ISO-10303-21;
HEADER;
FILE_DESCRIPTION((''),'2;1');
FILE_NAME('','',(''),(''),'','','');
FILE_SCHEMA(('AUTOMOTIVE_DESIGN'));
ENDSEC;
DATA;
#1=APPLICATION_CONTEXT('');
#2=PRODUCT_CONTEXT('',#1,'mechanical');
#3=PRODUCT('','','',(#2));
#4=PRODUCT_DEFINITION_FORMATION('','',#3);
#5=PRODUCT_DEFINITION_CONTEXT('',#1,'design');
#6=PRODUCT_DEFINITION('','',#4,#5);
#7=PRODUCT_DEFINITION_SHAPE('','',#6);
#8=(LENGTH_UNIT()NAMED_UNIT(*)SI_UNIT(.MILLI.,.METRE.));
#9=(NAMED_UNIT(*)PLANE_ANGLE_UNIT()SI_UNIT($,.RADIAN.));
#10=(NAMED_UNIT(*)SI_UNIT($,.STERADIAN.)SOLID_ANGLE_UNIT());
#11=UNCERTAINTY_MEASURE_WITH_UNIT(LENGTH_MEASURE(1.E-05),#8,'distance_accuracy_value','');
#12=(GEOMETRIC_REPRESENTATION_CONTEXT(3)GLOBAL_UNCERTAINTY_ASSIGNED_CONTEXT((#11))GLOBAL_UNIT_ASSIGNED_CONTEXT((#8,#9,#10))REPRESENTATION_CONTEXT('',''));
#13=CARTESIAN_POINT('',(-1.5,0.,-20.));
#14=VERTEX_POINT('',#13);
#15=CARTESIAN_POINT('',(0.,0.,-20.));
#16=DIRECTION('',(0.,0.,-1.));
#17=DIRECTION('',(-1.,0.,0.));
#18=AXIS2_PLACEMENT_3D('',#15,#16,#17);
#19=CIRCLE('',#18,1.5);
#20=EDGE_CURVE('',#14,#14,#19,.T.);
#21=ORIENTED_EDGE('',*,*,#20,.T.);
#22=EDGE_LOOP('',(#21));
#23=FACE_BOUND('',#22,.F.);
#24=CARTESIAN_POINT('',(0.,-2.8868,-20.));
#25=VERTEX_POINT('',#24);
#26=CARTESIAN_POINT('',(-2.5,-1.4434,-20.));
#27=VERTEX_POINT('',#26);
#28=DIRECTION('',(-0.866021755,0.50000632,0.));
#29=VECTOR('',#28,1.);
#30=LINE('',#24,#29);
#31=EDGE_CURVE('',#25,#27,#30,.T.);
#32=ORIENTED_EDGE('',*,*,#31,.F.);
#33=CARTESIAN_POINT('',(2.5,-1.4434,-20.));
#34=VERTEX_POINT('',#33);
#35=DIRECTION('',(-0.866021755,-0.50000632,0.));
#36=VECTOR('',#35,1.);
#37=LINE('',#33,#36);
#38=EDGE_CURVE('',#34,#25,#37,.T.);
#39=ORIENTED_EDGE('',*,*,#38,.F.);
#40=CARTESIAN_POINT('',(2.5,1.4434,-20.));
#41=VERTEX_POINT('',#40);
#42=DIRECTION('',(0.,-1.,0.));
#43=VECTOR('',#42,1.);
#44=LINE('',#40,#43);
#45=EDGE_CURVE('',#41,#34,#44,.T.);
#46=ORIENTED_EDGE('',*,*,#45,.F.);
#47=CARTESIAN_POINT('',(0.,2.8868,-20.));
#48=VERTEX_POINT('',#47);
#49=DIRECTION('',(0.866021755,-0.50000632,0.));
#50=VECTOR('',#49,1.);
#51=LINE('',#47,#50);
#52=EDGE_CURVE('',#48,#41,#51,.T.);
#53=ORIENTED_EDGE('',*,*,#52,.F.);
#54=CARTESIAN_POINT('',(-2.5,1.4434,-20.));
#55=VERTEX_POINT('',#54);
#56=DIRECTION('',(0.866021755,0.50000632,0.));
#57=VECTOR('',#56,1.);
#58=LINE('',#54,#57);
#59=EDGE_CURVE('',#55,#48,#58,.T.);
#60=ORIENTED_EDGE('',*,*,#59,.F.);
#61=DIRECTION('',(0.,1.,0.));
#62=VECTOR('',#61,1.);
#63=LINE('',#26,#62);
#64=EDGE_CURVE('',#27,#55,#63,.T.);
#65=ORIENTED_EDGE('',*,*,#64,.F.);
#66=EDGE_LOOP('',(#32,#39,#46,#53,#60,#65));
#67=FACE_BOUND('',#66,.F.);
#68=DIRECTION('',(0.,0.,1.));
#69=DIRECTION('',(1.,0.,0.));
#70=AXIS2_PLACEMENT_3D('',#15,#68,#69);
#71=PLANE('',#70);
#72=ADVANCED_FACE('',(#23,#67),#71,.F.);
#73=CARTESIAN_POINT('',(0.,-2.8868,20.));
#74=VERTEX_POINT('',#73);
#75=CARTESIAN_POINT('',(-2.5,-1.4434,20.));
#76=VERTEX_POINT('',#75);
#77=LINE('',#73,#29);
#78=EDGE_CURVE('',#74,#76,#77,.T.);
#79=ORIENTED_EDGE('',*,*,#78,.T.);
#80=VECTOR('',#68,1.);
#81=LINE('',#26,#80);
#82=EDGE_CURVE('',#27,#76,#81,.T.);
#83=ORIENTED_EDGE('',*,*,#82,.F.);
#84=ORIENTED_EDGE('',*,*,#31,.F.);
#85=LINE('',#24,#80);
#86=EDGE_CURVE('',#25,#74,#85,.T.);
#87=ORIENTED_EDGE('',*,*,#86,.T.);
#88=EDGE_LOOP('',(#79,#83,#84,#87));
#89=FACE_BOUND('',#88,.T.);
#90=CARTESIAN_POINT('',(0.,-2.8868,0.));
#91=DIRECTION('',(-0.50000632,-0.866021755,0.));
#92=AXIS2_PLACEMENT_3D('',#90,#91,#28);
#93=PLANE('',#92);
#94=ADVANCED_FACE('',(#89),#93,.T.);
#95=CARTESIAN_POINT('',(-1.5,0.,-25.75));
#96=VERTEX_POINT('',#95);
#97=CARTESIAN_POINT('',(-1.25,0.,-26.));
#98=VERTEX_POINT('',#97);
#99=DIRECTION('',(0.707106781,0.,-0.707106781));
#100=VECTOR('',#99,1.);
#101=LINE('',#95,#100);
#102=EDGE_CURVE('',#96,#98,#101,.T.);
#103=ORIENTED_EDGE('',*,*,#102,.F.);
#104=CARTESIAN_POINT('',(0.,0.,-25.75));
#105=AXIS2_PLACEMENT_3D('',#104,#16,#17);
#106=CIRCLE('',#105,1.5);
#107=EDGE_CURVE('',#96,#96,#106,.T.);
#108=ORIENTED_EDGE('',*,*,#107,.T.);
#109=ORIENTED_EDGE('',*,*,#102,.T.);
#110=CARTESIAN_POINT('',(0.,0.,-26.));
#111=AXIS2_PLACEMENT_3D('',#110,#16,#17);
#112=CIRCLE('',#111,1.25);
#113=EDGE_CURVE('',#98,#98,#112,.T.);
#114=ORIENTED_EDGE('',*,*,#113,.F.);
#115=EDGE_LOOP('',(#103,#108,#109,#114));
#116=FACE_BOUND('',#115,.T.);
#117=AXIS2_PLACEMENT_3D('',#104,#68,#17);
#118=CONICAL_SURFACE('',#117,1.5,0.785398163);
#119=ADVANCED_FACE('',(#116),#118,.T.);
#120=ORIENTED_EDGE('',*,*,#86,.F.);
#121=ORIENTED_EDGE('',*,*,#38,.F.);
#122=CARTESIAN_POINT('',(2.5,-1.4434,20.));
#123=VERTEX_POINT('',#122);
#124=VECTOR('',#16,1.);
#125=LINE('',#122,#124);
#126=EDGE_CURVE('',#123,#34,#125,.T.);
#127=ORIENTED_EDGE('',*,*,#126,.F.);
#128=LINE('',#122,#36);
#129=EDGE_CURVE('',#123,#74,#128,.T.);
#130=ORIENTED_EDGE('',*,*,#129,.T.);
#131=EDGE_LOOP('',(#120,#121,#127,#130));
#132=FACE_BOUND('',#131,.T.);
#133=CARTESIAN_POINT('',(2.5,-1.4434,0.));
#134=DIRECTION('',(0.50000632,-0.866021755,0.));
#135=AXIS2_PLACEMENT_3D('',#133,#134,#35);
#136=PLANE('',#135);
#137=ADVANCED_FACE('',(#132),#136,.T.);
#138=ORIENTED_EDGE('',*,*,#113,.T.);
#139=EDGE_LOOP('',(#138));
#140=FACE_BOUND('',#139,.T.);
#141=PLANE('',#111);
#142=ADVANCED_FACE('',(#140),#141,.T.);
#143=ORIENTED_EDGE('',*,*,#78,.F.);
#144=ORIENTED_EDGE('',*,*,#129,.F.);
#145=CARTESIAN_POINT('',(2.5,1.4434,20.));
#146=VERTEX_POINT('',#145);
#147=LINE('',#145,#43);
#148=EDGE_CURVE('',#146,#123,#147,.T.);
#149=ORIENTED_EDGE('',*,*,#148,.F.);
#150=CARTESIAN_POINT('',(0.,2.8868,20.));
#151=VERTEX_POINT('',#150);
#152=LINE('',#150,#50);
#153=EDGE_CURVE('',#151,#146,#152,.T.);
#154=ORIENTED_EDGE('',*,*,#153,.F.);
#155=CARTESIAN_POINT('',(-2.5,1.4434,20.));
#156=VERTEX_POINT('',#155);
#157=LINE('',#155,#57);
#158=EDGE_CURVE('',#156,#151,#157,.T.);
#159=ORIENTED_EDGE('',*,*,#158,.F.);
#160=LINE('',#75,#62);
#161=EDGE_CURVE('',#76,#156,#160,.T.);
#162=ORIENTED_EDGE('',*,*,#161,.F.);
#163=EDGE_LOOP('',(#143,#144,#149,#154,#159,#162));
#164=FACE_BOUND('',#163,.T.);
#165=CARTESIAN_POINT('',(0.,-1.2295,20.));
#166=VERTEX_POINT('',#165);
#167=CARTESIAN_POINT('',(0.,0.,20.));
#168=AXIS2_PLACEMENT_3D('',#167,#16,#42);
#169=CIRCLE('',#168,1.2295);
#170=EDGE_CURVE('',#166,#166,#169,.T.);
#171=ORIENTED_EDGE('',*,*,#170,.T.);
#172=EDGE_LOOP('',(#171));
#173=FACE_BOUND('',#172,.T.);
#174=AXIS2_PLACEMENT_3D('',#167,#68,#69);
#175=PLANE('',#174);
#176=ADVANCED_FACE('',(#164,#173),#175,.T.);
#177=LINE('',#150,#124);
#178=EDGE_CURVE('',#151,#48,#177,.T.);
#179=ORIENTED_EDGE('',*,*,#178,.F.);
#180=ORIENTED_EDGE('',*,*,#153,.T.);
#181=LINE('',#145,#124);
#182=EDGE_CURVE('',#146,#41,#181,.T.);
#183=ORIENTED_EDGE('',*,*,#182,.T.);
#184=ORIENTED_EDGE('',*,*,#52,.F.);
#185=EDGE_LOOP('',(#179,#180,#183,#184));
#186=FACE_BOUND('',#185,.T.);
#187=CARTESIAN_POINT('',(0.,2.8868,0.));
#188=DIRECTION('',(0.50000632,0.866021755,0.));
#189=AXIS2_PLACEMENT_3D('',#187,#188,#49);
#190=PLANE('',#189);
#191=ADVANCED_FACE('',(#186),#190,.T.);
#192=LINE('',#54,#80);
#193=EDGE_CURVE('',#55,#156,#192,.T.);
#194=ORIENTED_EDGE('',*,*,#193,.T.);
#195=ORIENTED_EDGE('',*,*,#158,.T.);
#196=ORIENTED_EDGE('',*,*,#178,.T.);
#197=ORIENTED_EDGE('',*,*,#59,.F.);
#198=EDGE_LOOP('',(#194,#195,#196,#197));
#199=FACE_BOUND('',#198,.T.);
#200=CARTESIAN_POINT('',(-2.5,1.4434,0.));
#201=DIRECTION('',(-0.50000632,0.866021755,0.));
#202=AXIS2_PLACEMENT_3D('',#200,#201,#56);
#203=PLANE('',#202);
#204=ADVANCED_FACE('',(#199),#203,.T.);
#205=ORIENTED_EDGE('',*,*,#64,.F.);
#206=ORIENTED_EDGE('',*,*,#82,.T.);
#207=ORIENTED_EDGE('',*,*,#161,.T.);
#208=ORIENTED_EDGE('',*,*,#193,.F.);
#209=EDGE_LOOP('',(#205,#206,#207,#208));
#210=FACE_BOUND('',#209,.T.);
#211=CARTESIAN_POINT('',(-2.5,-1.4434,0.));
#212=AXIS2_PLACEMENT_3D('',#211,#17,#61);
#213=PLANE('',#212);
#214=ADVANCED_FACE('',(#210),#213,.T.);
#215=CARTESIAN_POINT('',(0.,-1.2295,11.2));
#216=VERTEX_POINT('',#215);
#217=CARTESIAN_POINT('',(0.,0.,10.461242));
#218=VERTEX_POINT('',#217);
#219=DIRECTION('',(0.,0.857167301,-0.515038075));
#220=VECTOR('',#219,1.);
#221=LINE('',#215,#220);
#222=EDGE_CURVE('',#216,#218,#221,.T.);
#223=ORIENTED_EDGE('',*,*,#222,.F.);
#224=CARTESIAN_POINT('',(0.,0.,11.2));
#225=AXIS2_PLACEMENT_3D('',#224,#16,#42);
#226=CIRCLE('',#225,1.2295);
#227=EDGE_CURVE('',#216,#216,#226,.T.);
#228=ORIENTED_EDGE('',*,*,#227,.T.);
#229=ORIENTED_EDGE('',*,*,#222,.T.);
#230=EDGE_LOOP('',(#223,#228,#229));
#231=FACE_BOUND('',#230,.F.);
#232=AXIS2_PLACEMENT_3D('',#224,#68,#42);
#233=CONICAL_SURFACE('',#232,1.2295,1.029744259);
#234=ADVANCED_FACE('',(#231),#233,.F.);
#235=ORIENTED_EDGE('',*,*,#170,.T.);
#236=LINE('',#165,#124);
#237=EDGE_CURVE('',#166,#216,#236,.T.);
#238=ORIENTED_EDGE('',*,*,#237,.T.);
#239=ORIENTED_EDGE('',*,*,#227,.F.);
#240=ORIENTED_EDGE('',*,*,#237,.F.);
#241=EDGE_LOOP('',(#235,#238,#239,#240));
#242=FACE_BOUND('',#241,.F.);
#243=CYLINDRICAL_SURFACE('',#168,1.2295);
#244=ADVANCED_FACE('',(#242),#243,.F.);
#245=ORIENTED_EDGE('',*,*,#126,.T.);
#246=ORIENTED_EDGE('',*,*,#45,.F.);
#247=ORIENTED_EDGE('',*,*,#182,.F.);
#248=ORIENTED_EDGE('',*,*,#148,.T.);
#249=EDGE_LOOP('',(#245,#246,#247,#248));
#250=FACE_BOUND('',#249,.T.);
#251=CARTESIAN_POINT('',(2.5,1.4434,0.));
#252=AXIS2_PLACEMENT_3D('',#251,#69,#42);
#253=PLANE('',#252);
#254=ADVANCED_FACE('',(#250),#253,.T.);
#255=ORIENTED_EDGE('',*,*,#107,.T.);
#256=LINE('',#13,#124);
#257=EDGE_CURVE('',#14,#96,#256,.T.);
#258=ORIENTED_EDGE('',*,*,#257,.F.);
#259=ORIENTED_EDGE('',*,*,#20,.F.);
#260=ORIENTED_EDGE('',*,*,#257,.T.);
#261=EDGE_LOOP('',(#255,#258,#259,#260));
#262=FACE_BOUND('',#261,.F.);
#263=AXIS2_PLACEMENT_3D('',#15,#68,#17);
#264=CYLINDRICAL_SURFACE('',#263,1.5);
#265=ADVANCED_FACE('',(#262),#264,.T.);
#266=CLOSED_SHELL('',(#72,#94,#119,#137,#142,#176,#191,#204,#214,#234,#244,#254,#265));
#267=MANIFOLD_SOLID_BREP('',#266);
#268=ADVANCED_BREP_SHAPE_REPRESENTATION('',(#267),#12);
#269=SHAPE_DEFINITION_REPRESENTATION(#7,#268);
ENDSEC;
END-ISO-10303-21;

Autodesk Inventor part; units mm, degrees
ref_plane "YZ Plane" through (0, 0, 0) normal (1, 0, 0) x (0, 1, 0)
ref_plane "XZ Plane" through (0, 0, 0) normal (0, 1, 0) x (-1, 0, 0)
ref_plane "XY Plane" through (0, 0, 0) normal (0, 0, 1) x (1, 0, 0)
sketch "Skizze1" plane through (0, 0, 0) normal (0, 0, 1) x (1, 0, 0)
  line L0 (-2.5, 1.4434) -> (0, 2.8868)
  line L1 (0, 2.8868) -> (2.5, 1.4434)
  line L2 (2.5, 1.4434) -> (2.5, -1.4434)
  line L3 (2.5, -1.4434) -> (0, -2.8868)
  line L4 (0, -2.8868) -> (-2.5, -1.4434)
  line L5 (-2.5, -1.4434) -> (-2.5, 1.4434)
  point P0 (0, 0)
  point P1 (0, 0)
  point P2 (0, 0)
  dimension "d2" = 5
extrude "Extrusion1" add sketch "Skizze1" along normal mid plane 40
sketch "Skizze3" plane through (0, 0, 20) normal (0, 0, 1) x (1, 0, 0)
  point P0 (0, 0)
  point P1 (0, 0)
hole "Bohrung1" at (0, 0, 20) direction (0, 0, -1) diameter 2.459 depth 8.8 tip angle 118 thread size "M3x0.5" class "6H" standard "ISO Metric profile"
sketch "Skizze4" plane through (0, 0, -20) normal (0, 0, -1) x (-1, 0, 0)
  circle A0 centre (0, 0) radius 1.5
  dimension "d17" = 3
extrude "Extrusion3" add sketch "Skizze4" along normal blind 6
thread "Gewinde2" size "M3x0.5" class "6g" standard "ISO Metric profile" full length
chamfer "Fase1" distance 0.25 angle 45 1 edges at (1.5, 0, -26)
properties part number "standoff (1466814)"
